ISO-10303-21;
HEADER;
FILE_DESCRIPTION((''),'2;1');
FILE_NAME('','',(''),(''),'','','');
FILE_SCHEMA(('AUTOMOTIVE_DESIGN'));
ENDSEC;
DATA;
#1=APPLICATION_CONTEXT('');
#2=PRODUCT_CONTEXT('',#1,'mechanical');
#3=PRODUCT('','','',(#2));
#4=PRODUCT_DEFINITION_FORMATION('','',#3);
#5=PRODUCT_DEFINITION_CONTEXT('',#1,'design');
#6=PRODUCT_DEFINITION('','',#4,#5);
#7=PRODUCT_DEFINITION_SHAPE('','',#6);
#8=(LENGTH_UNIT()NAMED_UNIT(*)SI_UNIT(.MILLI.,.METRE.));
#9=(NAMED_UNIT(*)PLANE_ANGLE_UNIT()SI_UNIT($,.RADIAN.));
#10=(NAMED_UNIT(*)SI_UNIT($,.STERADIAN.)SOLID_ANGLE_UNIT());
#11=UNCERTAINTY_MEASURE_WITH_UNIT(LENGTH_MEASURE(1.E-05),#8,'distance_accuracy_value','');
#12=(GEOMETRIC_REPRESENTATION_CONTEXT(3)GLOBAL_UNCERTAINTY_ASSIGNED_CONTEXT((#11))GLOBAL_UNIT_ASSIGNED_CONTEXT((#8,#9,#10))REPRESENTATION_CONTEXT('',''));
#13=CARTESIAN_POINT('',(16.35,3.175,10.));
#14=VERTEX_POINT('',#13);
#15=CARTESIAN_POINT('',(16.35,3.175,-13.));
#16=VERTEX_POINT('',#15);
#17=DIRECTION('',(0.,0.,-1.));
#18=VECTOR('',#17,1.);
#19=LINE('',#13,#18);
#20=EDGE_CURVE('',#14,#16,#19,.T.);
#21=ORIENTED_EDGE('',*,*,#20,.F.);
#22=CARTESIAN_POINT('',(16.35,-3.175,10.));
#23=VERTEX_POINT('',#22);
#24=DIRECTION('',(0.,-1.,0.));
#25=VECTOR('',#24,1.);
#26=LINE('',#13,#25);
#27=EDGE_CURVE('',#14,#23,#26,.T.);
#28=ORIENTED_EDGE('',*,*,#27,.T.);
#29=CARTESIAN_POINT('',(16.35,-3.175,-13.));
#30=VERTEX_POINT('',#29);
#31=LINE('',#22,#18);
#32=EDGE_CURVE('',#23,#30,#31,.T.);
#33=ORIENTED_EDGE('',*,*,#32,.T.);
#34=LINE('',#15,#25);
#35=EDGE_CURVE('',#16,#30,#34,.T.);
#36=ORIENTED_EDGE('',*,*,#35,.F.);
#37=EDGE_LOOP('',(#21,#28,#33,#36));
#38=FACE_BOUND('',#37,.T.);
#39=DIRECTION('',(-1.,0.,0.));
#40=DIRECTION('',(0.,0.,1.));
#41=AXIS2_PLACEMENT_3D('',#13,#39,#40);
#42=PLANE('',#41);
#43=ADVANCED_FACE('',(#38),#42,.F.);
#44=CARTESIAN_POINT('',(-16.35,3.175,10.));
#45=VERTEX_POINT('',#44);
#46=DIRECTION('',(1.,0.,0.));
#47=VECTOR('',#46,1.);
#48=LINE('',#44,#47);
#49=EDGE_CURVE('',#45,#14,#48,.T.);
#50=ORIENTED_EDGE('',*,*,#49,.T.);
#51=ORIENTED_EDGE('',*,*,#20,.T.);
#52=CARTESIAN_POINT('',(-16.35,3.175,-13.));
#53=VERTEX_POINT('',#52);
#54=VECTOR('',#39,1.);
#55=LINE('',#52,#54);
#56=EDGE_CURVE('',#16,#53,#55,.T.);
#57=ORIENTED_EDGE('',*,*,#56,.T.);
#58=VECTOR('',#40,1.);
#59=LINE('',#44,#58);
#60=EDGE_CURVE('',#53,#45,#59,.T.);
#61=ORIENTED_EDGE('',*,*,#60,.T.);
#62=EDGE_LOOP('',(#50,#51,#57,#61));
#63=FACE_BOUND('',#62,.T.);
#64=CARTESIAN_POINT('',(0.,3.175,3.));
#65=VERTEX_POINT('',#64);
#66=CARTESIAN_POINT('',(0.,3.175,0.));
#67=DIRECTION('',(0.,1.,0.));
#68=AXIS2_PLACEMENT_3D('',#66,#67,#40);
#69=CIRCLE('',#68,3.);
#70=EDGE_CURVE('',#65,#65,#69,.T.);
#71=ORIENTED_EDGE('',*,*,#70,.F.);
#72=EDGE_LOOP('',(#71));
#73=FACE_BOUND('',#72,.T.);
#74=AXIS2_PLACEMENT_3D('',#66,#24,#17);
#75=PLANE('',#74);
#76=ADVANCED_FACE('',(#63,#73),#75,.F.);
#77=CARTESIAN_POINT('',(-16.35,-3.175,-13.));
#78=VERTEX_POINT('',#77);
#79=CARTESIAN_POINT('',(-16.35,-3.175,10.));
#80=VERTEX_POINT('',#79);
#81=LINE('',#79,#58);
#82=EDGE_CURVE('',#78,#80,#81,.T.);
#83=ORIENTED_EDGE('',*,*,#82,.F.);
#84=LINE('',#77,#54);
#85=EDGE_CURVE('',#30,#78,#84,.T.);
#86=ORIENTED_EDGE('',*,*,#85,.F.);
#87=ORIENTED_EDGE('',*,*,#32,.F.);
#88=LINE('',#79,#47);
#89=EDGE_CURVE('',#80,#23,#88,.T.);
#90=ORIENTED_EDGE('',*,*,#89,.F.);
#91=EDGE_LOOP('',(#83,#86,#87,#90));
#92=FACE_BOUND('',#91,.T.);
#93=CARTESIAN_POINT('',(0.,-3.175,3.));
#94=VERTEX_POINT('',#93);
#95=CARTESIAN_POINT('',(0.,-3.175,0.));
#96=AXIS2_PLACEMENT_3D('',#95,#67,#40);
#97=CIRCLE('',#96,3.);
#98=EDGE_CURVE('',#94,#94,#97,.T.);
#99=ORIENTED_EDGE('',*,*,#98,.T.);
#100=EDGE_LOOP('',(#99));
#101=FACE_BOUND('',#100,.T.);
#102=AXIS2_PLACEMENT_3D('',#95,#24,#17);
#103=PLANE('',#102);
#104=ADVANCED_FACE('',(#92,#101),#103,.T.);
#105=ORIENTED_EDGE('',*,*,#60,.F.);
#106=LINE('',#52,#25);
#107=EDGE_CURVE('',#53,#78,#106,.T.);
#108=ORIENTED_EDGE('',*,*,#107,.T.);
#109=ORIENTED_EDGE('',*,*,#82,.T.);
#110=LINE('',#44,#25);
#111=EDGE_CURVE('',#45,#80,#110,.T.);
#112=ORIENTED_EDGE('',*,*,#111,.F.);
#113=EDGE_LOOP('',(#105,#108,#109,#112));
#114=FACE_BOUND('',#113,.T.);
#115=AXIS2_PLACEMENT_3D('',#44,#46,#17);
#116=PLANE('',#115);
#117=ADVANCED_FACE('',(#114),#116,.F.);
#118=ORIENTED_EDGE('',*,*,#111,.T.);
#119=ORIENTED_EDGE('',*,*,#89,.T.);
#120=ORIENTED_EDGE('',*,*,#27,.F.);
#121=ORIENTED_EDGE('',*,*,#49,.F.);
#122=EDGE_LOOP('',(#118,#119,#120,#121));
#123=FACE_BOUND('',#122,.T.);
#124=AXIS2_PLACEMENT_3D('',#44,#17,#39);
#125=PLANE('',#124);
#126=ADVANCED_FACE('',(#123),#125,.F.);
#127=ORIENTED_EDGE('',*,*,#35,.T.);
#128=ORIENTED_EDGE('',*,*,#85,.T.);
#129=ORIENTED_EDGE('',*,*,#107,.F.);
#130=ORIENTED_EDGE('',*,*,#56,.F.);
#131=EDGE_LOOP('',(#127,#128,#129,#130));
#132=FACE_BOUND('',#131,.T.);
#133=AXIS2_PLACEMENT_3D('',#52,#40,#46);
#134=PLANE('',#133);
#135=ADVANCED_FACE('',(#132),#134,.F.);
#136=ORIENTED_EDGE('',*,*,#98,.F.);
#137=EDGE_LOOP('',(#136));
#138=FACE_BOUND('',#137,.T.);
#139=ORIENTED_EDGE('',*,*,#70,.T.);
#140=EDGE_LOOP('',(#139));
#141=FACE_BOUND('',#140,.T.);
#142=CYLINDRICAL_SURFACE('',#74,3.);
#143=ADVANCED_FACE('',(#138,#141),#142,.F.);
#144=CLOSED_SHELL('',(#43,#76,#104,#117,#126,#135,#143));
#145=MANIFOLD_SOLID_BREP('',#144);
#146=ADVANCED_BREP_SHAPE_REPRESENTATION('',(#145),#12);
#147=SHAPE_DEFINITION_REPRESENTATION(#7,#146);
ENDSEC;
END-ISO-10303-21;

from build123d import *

# Parameters (mm, degrees)
SKETCH1_W           = 32.7
SKETCH1_H           = 23
SKETCH1_R           = 3
BOSS_EXTRUDE1_DEPTH = 3.175


with BuildPart() as part:
    # Sketch1 → Boss-Extrude1 (new, symmetric)
    with BuildSketch(Plane(origin=(0, 0, 0), x_dir=(1, 0, 0), z_dir=(0, 1, 0))):
        with Locations((0, 1.5)):
            Rectangle(SKETCH1_W, SKETCH1_H)
        with Locations(Location((0, 0, 0), (0, 0, 270))):
            Circle(SKETCH1_R, mode=Mode.SUBTRACT)
    extrude(amount=BOSS_EXTRUDE1_DEPTH, both=True)


solid = part.part
